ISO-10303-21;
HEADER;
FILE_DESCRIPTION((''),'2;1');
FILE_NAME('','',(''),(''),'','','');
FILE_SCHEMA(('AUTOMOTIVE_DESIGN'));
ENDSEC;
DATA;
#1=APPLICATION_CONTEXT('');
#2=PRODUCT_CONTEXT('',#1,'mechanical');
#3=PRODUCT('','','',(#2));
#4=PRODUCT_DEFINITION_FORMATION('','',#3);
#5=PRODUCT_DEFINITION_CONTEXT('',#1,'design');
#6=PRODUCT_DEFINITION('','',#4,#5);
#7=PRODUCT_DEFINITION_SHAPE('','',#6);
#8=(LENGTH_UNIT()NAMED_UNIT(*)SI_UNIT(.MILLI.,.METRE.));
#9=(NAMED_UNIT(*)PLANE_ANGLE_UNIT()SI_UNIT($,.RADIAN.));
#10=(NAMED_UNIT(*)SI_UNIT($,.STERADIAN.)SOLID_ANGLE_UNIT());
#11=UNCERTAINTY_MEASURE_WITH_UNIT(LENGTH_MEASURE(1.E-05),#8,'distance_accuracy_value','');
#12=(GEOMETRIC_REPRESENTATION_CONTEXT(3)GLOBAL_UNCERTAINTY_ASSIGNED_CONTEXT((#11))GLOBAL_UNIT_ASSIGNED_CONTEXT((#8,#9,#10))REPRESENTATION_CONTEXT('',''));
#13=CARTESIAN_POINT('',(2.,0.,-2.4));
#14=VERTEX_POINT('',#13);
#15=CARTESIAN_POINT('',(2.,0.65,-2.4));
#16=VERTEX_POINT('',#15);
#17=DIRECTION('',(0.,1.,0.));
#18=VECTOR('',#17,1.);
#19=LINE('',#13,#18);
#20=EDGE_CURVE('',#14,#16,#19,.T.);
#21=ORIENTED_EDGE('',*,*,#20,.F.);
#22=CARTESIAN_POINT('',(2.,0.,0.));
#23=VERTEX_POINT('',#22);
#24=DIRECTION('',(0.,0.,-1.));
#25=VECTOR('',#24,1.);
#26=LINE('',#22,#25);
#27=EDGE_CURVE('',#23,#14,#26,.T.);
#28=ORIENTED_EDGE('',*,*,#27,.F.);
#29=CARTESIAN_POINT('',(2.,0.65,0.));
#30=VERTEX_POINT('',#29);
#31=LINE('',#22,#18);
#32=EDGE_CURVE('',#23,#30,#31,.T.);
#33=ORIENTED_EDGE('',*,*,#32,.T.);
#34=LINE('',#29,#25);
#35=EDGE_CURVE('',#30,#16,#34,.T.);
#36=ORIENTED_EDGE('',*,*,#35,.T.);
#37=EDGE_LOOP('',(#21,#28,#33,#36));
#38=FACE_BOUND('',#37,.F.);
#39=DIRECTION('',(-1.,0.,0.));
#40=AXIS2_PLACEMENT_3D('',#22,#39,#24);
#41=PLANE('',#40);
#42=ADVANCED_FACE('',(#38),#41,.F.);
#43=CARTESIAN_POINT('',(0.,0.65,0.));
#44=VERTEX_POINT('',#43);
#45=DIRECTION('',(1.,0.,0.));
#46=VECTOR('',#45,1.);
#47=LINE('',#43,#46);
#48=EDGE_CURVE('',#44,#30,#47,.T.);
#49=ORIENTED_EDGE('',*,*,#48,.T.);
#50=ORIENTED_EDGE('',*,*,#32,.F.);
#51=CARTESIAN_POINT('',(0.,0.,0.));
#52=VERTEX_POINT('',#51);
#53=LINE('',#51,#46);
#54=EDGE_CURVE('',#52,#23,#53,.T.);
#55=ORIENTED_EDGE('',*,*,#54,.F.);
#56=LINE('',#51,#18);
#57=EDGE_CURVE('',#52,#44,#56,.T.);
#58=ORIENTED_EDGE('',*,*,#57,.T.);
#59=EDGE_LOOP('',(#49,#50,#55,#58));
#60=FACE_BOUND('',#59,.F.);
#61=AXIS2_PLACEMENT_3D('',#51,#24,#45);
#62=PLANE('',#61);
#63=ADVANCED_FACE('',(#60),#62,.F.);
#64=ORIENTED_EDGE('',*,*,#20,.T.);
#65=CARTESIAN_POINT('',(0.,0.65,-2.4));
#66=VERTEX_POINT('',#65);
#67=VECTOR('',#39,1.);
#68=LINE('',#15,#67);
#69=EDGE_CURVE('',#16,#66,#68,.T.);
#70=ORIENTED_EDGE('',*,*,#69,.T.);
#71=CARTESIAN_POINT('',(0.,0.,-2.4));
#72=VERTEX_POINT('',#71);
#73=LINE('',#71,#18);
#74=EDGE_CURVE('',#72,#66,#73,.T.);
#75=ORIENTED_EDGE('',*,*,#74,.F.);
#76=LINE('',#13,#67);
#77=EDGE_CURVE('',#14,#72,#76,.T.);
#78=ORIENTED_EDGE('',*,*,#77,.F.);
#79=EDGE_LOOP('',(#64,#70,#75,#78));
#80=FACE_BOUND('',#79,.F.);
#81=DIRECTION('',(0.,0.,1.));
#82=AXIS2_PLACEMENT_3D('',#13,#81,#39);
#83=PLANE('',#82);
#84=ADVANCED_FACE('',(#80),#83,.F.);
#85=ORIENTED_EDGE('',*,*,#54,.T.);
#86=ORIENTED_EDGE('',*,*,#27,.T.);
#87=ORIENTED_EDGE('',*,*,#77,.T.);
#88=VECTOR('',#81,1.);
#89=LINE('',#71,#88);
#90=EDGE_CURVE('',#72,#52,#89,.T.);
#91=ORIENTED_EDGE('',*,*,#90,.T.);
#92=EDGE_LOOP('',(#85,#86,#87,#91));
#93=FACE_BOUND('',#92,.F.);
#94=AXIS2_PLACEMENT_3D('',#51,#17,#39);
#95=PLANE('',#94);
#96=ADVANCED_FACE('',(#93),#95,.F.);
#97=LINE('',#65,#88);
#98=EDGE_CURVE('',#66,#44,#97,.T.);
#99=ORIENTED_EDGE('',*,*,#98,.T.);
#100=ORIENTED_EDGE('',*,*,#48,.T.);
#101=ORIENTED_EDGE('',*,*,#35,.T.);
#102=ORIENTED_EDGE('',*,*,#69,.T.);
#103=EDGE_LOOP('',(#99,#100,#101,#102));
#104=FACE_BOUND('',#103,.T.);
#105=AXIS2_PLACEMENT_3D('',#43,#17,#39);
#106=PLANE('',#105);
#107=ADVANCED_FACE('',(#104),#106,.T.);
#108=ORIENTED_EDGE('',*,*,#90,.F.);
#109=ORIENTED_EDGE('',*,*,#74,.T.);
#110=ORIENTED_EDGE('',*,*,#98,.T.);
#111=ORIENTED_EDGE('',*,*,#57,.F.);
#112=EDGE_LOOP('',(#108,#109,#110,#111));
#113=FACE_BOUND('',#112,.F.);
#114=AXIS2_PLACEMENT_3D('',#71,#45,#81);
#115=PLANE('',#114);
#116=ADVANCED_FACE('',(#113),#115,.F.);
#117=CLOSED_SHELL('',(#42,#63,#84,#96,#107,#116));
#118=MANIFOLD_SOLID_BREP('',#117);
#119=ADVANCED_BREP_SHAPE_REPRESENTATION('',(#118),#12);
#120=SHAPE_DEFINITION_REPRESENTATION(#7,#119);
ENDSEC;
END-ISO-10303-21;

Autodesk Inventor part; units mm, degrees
ref_plane "YZ Plane" through (0, 0, 0) normal (1, 0, 0) x (0, 1, 0)
ref_plane "XZ Plane" through (0, 0, 0) normal (0, 1, 0) x (-1, 0, 0)
ref_plane "XY Plane" through (0, 0, 0) normal (0, 0, 1) x (1, 0, 0)
sketch "Sketch1" plane through (0, 0, 0) normal (0, 1, 0) x (-1, 0, 0)
  line L0 (0, 0) -> (-2, 0)
  line L1 (-2, 0) -> (-2, -2.4)
  line L2 (-2, -2.4) -> (0, -2.4)
  line L3 (0, -2.4) -> (0, 0)
  dimension "TCS3472_x" = 2
  dimension "TCS3472_y" = 2.4
extrude "Extrusion1" add sketch "Sketch1" along normal blind 0.65
properties part number "TCS3472"
